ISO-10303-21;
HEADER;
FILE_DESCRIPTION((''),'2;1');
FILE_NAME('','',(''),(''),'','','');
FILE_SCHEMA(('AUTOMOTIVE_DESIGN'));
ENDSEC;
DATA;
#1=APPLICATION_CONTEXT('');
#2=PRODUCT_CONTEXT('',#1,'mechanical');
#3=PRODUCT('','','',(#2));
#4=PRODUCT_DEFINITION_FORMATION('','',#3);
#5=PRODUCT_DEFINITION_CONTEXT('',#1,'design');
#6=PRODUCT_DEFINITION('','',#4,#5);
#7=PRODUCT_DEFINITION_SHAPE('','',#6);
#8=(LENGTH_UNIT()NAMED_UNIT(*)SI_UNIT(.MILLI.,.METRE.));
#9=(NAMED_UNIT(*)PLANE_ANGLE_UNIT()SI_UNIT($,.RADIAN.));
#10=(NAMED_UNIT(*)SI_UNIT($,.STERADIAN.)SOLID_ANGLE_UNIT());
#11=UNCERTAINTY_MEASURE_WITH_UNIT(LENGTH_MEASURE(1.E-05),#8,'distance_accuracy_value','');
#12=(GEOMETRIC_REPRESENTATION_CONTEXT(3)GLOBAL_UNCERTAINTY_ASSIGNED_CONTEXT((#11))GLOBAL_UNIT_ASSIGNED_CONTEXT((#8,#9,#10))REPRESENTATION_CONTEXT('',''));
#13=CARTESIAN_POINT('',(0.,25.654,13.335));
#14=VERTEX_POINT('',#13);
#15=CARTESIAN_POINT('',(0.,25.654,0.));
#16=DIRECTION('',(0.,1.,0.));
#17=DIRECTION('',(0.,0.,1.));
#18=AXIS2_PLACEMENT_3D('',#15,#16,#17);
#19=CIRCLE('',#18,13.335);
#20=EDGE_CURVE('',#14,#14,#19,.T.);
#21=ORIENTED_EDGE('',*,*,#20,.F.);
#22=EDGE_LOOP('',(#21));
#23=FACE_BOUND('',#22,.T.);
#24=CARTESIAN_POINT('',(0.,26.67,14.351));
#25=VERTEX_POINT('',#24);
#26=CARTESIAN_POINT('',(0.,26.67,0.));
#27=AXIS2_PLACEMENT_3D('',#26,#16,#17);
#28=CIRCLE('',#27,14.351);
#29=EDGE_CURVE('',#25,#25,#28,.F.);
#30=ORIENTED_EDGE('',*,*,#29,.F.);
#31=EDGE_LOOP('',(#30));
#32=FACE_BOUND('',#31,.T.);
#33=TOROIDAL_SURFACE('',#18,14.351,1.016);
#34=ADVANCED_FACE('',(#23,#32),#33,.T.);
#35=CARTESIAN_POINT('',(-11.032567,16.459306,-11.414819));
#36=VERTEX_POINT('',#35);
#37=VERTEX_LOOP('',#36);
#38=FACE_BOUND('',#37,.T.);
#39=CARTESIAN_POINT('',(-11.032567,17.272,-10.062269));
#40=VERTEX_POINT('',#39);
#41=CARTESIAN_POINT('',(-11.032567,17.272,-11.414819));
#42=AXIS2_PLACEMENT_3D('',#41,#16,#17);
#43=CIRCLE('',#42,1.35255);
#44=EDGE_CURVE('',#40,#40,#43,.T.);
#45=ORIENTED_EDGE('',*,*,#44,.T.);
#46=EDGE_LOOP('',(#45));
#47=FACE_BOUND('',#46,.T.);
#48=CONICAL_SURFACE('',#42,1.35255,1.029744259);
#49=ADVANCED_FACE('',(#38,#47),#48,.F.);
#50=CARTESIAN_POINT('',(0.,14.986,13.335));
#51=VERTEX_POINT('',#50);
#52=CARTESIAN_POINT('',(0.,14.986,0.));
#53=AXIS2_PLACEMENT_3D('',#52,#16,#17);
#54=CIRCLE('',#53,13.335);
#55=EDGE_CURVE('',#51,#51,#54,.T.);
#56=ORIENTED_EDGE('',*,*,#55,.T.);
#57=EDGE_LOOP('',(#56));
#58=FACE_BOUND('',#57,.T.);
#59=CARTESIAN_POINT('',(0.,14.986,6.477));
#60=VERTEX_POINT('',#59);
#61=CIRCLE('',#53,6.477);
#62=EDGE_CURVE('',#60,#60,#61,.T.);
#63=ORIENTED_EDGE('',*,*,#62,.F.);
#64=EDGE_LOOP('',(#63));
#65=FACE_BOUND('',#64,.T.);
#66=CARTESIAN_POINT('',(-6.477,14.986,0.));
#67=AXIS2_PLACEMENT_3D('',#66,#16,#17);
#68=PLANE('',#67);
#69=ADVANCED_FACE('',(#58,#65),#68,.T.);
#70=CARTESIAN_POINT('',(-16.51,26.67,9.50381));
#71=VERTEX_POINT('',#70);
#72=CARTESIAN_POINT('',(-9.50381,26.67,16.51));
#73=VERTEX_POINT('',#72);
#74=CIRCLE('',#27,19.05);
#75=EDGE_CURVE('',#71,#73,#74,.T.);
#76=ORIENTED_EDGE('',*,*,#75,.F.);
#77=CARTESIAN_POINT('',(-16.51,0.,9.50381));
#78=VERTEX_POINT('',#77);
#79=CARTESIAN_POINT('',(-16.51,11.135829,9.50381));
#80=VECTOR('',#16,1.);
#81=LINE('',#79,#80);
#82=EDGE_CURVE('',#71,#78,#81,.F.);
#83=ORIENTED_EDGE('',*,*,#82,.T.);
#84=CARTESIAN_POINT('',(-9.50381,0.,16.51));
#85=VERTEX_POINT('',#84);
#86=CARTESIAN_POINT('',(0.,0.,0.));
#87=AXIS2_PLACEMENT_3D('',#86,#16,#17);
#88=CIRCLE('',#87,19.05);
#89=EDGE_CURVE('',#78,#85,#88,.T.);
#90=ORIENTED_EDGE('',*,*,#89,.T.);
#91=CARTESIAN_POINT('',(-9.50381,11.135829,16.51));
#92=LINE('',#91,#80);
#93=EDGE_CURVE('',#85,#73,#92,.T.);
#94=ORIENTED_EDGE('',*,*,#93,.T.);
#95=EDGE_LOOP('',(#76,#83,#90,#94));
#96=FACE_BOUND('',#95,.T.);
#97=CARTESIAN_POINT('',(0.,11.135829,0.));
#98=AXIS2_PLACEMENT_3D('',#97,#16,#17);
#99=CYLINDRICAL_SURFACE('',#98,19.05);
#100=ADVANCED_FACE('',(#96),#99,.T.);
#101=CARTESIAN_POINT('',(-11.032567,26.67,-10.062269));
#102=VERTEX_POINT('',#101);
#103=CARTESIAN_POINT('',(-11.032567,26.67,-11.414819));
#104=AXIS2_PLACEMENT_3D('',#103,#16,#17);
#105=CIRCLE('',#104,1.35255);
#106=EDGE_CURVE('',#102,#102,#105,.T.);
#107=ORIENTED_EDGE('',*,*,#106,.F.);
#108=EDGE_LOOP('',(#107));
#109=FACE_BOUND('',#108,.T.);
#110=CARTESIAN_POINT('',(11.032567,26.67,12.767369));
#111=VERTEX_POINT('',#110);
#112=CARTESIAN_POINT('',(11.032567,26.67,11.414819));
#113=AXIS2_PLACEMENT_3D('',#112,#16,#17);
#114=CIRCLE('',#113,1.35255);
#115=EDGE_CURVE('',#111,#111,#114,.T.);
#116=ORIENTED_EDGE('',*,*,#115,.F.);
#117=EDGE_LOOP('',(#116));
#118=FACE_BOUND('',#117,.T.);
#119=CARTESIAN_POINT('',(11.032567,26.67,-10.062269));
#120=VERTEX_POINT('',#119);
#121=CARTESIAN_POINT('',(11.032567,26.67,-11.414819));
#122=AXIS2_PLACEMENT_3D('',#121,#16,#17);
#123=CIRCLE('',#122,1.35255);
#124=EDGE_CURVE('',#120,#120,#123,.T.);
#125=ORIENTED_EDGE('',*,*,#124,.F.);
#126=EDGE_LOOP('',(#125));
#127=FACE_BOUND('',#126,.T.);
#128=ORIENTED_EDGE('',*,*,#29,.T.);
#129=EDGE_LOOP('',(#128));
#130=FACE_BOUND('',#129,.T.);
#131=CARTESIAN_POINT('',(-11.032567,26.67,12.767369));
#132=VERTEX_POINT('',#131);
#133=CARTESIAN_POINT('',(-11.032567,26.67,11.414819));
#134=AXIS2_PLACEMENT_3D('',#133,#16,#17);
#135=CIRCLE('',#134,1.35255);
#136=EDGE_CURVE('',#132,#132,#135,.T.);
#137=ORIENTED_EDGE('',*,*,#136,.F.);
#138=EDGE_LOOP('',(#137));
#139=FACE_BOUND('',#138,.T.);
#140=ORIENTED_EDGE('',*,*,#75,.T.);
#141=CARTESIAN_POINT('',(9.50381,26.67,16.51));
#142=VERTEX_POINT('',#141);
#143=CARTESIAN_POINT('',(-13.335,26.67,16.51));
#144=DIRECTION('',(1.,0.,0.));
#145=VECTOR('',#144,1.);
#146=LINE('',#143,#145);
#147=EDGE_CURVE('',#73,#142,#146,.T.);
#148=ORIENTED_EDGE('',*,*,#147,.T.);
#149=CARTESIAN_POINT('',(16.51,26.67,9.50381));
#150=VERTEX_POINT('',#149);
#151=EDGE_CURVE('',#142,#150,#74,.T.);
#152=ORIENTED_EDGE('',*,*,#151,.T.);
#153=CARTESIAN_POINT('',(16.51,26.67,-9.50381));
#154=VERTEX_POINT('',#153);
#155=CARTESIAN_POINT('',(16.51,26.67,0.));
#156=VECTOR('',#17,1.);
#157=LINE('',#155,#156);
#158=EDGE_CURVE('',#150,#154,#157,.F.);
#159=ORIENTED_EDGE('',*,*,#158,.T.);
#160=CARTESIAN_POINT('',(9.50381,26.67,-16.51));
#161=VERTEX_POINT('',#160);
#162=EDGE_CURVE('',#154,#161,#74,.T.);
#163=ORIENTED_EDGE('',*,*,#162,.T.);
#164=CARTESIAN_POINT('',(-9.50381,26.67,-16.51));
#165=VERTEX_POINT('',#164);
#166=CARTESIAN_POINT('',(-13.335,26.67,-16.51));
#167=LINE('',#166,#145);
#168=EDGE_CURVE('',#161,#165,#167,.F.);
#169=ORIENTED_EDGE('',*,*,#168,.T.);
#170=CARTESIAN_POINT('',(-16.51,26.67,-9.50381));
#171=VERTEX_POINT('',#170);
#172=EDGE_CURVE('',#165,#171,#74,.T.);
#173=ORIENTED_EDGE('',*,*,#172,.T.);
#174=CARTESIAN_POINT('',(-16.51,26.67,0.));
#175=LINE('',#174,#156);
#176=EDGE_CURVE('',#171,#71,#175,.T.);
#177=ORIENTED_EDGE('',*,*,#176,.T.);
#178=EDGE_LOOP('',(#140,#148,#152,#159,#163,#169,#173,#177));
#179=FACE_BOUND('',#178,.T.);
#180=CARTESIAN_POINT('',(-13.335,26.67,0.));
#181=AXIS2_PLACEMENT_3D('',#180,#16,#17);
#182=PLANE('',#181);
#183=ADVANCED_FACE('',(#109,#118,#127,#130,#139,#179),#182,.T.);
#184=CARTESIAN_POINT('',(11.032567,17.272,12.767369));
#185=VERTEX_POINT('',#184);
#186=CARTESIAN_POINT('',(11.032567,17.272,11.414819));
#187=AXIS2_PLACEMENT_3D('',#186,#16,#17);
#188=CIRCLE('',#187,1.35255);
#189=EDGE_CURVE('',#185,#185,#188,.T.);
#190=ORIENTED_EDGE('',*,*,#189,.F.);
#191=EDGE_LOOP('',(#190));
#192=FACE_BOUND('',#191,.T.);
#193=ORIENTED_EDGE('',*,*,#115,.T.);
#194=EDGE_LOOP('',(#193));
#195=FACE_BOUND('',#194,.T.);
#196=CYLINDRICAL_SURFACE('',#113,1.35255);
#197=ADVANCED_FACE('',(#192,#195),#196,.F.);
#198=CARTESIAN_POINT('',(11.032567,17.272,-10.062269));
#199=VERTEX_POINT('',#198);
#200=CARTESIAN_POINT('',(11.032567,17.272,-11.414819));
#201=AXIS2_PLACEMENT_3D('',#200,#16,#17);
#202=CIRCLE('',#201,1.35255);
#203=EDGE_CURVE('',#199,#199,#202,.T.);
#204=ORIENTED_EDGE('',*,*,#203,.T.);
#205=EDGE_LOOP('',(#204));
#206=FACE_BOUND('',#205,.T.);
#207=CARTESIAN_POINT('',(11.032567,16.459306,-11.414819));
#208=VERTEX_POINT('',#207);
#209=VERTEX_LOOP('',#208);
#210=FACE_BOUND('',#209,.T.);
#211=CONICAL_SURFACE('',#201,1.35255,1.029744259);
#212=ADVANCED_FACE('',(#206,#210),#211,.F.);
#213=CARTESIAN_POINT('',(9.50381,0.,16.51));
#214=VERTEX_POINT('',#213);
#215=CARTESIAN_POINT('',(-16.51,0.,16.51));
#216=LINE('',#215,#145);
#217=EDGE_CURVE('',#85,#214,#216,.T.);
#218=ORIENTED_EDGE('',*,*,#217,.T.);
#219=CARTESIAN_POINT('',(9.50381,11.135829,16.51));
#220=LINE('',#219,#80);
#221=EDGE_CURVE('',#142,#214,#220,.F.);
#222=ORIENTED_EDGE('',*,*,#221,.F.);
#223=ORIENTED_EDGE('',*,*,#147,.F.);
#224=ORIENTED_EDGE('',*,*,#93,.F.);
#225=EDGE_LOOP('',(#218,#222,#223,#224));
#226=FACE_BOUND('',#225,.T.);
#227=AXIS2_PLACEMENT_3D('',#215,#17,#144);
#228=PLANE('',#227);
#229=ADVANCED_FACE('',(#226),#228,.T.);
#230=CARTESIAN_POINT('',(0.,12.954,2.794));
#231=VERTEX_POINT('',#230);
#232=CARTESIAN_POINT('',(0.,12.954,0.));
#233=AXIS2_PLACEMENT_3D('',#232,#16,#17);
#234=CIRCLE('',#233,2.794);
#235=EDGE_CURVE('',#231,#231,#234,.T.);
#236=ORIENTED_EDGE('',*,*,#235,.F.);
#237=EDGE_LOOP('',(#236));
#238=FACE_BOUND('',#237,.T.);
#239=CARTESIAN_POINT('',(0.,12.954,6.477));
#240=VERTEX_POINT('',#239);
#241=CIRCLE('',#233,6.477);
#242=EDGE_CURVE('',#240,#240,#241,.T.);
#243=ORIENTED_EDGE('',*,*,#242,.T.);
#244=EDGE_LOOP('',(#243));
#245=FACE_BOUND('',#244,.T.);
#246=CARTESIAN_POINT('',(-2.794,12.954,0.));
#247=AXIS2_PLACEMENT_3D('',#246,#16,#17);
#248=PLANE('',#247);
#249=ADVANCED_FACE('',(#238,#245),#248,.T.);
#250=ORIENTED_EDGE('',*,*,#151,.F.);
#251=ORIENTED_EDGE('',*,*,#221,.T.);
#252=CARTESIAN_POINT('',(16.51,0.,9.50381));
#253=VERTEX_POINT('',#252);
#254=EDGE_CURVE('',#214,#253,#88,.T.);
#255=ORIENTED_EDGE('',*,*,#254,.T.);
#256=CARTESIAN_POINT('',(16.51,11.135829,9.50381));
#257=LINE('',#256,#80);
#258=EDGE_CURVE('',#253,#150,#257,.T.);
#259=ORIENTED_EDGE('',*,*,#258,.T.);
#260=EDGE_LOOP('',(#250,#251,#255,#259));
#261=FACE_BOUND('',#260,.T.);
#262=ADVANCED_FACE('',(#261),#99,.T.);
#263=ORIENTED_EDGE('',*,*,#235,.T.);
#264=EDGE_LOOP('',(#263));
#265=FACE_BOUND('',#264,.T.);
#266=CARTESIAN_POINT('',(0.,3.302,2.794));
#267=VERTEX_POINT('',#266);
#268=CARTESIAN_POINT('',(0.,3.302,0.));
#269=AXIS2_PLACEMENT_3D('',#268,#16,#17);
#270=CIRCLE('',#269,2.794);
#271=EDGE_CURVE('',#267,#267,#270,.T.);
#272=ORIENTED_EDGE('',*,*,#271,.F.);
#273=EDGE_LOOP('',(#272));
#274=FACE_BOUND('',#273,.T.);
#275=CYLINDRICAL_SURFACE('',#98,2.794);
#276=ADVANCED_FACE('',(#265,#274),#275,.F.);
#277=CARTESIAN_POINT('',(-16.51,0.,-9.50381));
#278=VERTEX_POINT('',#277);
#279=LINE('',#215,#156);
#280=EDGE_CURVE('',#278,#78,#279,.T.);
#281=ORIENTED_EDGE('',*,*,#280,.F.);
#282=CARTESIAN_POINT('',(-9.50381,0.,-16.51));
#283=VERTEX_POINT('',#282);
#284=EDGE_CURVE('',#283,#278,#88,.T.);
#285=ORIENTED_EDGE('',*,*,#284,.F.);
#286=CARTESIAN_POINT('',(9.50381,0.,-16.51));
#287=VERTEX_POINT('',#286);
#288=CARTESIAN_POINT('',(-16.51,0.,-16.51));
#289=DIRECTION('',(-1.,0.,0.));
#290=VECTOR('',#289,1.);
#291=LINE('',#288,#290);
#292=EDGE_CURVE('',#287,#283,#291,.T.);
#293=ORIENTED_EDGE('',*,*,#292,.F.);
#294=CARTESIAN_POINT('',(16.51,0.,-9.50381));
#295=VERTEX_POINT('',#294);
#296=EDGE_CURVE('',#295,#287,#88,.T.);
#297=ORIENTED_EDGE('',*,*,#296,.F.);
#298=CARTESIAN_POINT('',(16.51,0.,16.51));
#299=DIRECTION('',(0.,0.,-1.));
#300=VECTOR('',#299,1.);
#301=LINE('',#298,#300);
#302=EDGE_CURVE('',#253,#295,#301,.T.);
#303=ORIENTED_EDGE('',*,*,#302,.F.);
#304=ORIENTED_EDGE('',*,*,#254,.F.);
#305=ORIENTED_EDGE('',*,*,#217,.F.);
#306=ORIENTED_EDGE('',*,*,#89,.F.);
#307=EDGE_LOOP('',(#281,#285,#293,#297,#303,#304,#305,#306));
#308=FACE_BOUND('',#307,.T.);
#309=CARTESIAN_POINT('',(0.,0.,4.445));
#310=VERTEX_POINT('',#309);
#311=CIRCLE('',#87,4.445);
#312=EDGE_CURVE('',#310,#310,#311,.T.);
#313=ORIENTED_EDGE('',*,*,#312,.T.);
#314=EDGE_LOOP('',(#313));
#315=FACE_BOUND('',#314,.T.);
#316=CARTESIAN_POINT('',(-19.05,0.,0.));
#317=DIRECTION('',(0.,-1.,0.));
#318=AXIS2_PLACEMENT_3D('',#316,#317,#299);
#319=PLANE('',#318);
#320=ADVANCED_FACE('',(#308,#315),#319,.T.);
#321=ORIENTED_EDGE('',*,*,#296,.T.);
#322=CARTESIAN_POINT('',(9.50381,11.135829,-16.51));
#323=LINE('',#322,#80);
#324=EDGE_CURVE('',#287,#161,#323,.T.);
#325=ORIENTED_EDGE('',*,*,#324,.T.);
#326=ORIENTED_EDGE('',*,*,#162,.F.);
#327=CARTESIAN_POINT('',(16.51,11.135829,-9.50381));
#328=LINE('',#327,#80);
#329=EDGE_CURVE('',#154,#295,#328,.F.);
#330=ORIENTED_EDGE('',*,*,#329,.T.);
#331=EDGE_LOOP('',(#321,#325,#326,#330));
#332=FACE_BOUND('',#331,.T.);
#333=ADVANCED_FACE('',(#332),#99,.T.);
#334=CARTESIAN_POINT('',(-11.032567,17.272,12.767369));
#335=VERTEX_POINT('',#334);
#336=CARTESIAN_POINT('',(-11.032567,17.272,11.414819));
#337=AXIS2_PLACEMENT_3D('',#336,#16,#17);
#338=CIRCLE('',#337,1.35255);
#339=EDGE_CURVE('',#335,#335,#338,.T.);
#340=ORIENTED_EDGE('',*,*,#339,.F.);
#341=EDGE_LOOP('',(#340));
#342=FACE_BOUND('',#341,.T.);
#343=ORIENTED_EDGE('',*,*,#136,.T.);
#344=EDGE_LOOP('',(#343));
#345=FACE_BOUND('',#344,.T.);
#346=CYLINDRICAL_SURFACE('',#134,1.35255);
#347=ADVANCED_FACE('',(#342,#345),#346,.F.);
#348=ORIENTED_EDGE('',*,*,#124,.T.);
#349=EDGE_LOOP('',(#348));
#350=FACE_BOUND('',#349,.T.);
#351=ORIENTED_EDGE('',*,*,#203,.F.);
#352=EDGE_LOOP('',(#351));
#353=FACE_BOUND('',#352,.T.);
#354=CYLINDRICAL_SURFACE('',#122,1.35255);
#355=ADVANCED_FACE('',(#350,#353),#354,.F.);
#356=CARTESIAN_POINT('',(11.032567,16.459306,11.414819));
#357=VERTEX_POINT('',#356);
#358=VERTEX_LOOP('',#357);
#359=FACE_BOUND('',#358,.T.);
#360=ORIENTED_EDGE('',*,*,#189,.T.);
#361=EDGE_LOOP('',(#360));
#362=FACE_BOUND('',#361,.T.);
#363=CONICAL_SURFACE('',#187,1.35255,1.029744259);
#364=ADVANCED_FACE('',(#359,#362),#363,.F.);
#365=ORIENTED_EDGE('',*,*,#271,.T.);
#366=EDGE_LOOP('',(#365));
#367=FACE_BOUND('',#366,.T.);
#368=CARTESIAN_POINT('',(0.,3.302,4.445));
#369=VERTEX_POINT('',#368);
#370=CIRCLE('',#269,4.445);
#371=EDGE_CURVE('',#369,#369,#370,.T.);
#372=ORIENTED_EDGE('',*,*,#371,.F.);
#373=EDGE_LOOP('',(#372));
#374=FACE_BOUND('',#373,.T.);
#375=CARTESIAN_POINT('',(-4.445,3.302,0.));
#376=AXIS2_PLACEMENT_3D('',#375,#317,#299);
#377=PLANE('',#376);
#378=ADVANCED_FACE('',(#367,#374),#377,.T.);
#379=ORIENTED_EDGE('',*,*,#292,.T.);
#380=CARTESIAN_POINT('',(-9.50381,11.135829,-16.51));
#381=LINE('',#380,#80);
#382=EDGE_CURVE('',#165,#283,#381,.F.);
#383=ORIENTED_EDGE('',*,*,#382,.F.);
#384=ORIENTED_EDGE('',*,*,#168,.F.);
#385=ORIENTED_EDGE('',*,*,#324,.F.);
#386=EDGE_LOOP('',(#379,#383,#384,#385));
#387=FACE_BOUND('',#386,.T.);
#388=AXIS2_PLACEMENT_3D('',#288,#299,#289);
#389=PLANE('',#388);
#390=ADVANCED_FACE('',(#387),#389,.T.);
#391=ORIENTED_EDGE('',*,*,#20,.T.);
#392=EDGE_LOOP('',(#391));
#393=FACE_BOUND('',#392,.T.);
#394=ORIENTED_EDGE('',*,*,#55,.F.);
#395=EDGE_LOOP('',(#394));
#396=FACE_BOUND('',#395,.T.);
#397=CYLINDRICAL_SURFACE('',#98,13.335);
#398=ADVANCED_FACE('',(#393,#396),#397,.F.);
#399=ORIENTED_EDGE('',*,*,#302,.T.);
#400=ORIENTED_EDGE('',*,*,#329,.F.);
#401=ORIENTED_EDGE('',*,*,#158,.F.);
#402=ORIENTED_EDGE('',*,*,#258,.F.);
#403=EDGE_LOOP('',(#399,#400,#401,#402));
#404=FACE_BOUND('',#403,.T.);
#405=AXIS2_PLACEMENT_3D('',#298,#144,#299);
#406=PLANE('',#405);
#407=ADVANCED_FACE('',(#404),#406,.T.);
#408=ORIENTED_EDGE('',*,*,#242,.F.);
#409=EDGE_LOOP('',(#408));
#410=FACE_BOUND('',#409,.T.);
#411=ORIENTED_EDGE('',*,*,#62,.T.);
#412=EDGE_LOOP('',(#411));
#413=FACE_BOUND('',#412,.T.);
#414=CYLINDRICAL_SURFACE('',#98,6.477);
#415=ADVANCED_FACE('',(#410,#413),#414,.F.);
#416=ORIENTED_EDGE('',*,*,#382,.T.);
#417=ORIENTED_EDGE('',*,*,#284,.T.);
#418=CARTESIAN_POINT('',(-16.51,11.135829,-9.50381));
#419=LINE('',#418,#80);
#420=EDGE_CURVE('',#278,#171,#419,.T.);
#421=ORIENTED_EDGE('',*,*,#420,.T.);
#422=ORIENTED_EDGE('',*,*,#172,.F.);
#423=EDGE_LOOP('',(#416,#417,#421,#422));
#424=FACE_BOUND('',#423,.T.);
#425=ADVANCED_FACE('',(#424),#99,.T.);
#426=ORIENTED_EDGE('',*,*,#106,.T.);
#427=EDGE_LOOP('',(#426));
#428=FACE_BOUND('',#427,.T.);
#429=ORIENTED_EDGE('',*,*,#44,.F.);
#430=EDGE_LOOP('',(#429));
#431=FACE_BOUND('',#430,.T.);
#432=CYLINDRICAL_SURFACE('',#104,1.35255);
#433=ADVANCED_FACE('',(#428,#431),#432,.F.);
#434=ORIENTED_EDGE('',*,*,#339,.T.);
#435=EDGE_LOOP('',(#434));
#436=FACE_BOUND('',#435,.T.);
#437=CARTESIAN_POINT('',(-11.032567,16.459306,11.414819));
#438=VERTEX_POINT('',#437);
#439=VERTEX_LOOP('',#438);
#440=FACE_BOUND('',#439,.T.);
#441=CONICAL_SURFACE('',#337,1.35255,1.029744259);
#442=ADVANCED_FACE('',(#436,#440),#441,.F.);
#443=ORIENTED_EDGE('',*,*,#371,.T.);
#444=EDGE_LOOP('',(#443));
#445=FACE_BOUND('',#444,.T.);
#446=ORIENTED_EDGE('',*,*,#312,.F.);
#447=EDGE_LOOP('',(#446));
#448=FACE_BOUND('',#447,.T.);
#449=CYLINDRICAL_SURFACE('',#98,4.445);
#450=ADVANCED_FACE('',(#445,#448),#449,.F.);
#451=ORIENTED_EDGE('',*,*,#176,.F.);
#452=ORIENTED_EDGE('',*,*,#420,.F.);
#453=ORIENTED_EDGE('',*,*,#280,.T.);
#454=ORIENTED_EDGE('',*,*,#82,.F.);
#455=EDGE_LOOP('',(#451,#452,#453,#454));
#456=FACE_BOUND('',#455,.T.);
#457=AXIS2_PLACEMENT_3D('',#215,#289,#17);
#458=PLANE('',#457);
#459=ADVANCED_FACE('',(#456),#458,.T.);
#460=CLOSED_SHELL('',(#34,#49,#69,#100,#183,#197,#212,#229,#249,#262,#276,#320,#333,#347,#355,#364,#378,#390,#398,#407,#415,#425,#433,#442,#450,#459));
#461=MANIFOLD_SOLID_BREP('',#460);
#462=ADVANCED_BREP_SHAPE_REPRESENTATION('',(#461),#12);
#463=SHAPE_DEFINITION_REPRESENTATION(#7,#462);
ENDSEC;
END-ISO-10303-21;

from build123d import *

# Parameters (mm, degrees)
CUT_EXTRUDE2_DEPTH        = 38.909021354
CUT_EXTRUDE2_DEPTH_BACK   = 38.909021354
SKETCH4_OUTSIDE_W         = 52.124
SKETCH4_OUTSIDE_H         = 52.124
SKETCH4_OUTSIDE_W_2       = 33.02
SKETCH4_OUTSIDE_H_2       = 33.02
F_6_32_TAPPED_HOLE2_D     = 2.7051
F_6_32_TAPPED_HOLE2_DEPTH = 9.398
F_6_32_TAPPED_HOLE2_TIP   = 0.81269403
FILLET1_R                 = 1.016


with BuildPart() as part:
    # Vent Valve Body Profile → Revolve2 (revolve)
    with BuildSketch(Plane.XY, mode=Mode.PRIVATE) as revolve2_sk:
        Polygon((-19.05, 26.67), (-19.05, 0), (-4.445, 0), (-4.445, 3.302), (-2.794, 3.302), (-2.794, 12.954), (-6.477, 12.954), (-6.477, 14.986), (-13.335, 14.986), (-13.335, 26.67), align=None)
    revolve(revolve2_sk.sketch.rotate(Axis((0, 11.135829036, 0), (0, -1, 0)), 270), axis=Axis((0, 11.135829036, 0), (0, -1, 0)))

    # Sketch4 outside → Cut-Extrude2 (cut, two sides: drawn at the far end of the back side and taken through both)
    with BuildSketch(Plane(origin=(0, 26.67, 0), x_dir=(1, 0, 0), z_dir=(0, 1, 0)).offset(-CUT_EXTRUDE2_DEPTH_BACK)):
        Rectangle(SKETCH4_OUTSIDE_W, SKETCH4_OUTSIDE_H)
        Rectangle(SKETCH4_OUTSIDE_W_2, SKETCH4_OUTSIDE_H_2, mode=Mode.SUBTRACT)
    extrude(amount=CUT_EXTRUDE2_DEPTH + CUT_EXTRUDE2_DEPTH_BACK, mode=Mode.SUBTRACT)

    # #6-32 Tapped Hole2
    with Locations(Plane(origin=(0, 26.67, 0), x_dir=(1, 0, 0), z_dir=(0, 1, 0))):
        with Locations((11.032567234, 11.414818668), (11.032567234, -11.414818668), (-11.032567234, -11.414818668), (-11.032567234, 11.414818668)):
            Hole(F_6_32_TAPPED_HOLE2_D / 2, depth=F_6_32_TAPPED_HOLE2_DEPTH)
            with Locations((0, 0, -(F_6_32_TAPPED_HOLE2_DEPTH + F_6_32_TAPPED_HOLE2_TIP / 2))):  # 118° drill point
                Cone(0, F_6_32_TAPPED_HOLE2_D / 2, F_6_32_TAPPED_HOLE2_TIP, mode=Mode.SUBTRACT)

    # Fillet1
    fillet1_edges = [part.edges().sort_by_distance(p)[0] for p in [
        (0, 26.67, -13.335),
    ]]
    fillet(fillet1_edges, radius=FILLET1_R)


solid = part.part
